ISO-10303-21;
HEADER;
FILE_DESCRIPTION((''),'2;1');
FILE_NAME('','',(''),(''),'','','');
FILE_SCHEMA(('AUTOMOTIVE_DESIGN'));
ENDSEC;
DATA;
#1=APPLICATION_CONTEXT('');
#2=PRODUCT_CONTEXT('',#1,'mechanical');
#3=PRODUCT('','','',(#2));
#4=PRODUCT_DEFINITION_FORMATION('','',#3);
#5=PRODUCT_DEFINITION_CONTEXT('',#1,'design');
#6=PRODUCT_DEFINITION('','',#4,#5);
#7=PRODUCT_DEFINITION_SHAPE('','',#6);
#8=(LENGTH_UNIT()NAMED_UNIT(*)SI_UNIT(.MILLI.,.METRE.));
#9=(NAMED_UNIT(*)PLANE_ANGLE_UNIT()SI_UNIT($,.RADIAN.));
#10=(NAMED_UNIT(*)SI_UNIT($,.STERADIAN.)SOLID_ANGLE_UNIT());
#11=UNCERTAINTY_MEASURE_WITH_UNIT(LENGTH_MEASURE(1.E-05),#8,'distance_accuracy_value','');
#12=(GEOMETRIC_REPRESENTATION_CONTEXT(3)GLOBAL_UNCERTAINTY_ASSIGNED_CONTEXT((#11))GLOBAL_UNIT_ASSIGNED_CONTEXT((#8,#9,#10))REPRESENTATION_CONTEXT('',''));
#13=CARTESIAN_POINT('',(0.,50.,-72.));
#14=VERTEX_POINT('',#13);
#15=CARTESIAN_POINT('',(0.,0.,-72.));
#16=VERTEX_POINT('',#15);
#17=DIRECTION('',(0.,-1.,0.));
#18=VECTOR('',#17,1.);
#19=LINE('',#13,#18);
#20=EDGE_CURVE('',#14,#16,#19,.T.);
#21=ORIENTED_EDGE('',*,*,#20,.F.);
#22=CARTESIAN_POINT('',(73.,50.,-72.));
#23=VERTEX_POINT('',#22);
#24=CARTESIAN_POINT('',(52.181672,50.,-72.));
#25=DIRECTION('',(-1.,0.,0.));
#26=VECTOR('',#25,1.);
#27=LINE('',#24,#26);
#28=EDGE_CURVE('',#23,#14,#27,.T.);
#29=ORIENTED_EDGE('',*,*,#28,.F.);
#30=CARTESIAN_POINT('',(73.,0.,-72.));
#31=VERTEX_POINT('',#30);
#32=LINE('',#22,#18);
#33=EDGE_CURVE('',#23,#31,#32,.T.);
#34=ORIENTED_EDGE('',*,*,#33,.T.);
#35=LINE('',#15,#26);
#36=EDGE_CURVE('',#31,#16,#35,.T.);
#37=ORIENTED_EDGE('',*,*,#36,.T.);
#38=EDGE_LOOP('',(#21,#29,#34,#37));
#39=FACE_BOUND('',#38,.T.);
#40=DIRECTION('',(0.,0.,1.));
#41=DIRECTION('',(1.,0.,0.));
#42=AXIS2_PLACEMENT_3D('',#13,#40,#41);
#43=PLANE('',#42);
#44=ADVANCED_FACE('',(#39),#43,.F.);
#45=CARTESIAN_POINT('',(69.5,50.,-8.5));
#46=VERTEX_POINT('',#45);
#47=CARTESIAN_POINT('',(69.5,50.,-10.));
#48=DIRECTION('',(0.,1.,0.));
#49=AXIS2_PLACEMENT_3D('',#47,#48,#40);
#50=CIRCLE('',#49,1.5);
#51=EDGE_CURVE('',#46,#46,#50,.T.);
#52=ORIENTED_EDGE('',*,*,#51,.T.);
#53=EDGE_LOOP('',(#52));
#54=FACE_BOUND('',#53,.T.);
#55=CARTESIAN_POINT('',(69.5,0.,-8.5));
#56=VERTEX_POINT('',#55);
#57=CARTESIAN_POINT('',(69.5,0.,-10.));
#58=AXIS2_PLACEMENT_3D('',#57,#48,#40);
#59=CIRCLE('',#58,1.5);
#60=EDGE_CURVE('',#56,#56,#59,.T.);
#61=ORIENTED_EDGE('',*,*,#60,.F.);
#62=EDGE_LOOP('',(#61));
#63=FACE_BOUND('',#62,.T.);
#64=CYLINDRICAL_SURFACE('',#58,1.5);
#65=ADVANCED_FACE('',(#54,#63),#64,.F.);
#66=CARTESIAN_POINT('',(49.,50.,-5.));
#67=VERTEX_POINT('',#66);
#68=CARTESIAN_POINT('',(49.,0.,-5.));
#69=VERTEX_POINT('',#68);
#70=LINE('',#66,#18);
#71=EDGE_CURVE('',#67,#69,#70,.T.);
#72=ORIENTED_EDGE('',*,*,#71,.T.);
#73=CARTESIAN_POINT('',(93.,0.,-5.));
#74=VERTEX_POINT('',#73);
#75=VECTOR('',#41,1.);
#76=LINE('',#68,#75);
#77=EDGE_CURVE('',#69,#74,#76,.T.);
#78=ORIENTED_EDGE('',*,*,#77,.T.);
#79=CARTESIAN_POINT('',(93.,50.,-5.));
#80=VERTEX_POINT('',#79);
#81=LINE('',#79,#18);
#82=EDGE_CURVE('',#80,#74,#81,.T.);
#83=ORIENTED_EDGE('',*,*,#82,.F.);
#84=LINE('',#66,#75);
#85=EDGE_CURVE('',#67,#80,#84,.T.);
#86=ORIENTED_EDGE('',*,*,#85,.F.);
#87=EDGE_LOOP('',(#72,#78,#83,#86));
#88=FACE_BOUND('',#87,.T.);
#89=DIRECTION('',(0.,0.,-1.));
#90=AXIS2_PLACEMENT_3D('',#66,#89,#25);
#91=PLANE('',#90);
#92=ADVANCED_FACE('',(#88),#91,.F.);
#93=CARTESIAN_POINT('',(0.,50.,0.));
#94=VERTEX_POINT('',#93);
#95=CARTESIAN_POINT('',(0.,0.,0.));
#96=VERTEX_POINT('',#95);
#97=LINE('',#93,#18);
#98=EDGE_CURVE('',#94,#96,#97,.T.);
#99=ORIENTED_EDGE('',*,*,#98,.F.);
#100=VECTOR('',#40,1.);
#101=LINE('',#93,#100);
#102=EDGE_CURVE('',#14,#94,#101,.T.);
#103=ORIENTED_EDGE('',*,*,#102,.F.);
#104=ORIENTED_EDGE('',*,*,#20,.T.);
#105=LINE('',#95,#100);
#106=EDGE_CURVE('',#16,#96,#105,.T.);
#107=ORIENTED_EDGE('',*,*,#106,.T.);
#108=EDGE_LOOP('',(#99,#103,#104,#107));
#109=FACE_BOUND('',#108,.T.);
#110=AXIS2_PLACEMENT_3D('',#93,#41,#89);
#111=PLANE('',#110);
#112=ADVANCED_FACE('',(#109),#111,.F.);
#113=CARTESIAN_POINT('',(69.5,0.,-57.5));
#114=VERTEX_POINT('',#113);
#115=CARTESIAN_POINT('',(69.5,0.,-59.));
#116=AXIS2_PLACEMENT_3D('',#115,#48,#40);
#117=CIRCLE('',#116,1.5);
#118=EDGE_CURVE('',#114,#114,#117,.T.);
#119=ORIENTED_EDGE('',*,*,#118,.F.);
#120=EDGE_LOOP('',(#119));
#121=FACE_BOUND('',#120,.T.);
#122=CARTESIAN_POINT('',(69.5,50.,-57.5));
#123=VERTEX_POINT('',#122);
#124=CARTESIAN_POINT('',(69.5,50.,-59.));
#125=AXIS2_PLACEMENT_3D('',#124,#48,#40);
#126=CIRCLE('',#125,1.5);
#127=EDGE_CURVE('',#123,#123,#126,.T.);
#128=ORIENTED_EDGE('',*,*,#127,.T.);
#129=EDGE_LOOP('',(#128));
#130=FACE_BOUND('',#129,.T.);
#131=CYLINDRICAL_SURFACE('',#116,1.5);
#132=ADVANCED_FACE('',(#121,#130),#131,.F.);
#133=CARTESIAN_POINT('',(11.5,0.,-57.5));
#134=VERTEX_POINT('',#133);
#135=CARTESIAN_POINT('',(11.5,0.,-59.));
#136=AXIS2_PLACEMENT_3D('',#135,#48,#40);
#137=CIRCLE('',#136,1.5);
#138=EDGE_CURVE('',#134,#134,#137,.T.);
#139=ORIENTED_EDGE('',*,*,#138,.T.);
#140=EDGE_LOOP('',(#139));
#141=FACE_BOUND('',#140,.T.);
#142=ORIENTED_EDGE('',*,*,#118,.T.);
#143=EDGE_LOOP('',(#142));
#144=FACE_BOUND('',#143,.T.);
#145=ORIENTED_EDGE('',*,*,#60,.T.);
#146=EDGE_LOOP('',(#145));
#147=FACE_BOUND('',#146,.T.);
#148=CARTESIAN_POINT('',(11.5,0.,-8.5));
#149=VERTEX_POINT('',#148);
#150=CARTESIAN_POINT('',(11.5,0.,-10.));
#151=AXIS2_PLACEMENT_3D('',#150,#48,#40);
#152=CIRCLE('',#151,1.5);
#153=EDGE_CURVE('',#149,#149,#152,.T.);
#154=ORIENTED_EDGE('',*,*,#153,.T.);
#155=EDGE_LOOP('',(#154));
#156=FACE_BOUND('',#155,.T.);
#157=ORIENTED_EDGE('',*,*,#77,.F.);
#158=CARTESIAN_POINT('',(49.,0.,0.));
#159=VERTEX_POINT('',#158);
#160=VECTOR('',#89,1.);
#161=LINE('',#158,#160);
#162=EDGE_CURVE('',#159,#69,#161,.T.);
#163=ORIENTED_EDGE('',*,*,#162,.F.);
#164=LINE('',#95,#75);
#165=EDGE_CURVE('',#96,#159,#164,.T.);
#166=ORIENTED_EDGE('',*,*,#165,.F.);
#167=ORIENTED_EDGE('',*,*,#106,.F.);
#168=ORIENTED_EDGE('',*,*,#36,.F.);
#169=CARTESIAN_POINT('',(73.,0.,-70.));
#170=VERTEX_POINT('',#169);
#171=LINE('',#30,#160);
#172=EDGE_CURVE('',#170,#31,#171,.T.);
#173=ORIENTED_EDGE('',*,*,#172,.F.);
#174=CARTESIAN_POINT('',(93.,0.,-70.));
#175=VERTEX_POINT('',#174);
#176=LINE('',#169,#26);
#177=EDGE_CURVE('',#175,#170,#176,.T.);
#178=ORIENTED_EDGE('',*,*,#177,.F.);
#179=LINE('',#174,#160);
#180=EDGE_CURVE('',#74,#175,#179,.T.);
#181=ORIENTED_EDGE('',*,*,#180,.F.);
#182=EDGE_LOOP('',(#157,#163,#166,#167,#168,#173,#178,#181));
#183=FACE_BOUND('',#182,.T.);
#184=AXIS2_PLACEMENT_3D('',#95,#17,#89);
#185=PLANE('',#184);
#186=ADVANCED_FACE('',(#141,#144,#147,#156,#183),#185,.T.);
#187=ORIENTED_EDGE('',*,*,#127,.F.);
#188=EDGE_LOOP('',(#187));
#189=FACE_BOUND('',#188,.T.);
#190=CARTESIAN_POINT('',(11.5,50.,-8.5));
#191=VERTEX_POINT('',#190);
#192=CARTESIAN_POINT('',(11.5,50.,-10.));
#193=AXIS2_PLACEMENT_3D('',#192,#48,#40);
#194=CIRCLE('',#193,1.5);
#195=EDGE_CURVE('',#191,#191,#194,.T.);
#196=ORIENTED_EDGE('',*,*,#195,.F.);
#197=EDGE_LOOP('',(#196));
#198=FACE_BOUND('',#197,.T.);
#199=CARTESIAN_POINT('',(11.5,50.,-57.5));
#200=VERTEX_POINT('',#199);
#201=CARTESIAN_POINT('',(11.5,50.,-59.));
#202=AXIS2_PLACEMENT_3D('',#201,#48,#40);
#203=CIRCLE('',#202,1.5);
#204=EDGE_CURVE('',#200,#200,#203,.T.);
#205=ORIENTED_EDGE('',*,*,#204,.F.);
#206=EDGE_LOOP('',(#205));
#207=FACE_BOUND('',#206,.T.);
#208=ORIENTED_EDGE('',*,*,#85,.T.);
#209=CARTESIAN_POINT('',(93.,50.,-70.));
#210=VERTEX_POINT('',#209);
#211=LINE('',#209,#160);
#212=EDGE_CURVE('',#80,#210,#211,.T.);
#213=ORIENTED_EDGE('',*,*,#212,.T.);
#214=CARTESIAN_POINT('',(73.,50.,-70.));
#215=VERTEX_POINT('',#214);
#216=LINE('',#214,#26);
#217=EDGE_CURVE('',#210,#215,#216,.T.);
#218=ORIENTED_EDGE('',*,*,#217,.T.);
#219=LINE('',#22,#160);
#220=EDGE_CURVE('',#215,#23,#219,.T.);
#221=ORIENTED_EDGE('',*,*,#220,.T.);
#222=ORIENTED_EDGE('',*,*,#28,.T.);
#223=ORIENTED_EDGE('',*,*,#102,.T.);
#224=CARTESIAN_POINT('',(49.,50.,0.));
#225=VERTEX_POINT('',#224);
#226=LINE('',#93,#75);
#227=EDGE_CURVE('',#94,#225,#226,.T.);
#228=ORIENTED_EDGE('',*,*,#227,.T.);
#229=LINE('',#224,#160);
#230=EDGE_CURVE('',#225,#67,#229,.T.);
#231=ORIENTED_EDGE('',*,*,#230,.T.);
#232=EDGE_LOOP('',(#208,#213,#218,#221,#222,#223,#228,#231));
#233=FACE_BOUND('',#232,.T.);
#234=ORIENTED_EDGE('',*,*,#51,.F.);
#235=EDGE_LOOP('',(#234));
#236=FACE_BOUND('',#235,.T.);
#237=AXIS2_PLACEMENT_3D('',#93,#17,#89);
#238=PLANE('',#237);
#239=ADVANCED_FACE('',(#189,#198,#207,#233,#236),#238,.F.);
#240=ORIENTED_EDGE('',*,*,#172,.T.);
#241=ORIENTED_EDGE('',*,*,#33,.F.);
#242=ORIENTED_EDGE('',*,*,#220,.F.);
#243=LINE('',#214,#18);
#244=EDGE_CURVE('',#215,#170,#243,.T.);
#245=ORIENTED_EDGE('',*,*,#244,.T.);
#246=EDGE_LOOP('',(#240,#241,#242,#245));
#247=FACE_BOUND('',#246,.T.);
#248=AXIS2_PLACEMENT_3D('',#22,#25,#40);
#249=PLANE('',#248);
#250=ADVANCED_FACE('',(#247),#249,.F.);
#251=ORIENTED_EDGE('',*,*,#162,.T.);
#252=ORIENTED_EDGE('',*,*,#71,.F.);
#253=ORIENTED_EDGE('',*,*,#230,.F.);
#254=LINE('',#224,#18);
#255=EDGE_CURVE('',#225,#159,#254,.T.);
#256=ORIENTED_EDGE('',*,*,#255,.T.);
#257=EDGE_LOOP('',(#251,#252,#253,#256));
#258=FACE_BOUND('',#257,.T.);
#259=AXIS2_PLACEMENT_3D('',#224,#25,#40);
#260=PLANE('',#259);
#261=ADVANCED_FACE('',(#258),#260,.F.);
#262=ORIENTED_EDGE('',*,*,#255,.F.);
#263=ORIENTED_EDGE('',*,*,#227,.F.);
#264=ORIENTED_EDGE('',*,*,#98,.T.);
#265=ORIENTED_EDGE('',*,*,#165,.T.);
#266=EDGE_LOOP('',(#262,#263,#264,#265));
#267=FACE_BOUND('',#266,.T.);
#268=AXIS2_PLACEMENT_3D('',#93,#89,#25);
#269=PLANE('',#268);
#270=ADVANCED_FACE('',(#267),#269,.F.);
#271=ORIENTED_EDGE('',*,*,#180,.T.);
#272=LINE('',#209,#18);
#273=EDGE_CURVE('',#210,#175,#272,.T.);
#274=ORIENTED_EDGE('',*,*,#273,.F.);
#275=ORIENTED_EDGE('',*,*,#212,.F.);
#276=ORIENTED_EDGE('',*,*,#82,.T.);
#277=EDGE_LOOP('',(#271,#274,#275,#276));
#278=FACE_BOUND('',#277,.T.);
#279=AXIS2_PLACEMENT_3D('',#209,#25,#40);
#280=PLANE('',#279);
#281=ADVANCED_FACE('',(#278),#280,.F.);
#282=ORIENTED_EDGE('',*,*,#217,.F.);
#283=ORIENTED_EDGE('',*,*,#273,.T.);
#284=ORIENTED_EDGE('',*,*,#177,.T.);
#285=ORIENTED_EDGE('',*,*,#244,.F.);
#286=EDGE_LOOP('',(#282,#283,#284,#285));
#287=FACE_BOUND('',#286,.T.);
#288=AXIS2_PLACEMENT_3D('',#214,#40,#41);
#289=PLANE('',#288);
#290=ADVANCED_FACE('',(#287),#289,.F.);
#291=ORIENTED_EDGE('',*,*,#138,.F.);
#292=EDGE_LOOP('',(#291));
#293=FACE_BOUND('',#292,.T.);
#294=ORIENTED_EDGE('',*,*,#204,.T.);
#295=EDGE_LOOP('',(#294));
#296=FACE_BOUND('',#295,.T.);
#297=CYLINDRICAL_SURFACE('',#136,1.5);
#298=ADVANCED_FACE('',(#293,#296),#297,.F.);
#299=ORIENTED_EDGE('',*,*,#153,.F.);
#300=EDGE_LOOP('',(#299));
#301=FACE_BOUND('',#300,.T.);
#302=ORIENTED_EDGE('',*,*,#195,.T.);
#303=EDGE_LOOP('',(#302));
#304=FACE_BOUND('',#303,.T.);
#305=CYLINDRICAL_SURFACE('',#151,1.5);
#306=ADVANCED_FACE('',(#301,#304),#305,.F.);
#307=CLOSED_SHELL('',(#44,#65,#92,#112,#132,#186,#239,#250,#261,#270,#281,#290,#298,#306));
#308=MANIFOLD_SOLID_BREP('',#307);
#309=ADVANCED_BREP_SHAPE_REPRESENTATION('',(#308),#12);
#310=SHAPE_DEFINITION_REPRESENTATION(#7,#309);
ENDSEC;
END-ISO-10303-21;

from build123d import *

# Parameters (mm, degrees)
EXTRUDE_1_DEPTH     = 50
SKETCH_2_R          = 1.5
CUT_EXTRUDE_1_DEPTH = 128.800625977


with BuildPart() as part:
    # 草圖1 → 填料-伸長1 (new body)
    with BuildSketch(Plane(origin=(0, 0, 0), x_dir=(1, 0, 0), z_dir=(0, 1, 0))):
        Polygon((0, 0), (49, 0), (49, 5), (93, 5), (93, 70), (73, 70), (73, 72), (52.181672026, 72), (0, 72), align=None)
    extrude(amount=EXTRUDE_1_DEPTH)

    # 草圖2 → 除料-伸長1 (cut, through all)
    with BuildSketch(Plane(origin=(0, 50, 0), x_dir=(1, 0, 0), z_dir=(0, 1, 0))):
        with Locations(Location((11.5, 59, 0), (0, 0, 270))):
            Circle(SKETCH_2_R)
        with Locations(Location((69.5, 59, 0), (0, 0, 270))):
            Circle(SKETCH_2_R)
        with Locations(Location((69.5, 10, 0), (0, 0, 270))):
            Circle(SKETCH_2_R)
        with Locations(Location((11.5, 10, 0), (0, 0, 270))):
            Circle(SKETCH_2_R)
    extrude(amount=-CUT_EXTRUDE_1_DEPTH, mode=Mode.SUBTRACT)


solid = part.part
